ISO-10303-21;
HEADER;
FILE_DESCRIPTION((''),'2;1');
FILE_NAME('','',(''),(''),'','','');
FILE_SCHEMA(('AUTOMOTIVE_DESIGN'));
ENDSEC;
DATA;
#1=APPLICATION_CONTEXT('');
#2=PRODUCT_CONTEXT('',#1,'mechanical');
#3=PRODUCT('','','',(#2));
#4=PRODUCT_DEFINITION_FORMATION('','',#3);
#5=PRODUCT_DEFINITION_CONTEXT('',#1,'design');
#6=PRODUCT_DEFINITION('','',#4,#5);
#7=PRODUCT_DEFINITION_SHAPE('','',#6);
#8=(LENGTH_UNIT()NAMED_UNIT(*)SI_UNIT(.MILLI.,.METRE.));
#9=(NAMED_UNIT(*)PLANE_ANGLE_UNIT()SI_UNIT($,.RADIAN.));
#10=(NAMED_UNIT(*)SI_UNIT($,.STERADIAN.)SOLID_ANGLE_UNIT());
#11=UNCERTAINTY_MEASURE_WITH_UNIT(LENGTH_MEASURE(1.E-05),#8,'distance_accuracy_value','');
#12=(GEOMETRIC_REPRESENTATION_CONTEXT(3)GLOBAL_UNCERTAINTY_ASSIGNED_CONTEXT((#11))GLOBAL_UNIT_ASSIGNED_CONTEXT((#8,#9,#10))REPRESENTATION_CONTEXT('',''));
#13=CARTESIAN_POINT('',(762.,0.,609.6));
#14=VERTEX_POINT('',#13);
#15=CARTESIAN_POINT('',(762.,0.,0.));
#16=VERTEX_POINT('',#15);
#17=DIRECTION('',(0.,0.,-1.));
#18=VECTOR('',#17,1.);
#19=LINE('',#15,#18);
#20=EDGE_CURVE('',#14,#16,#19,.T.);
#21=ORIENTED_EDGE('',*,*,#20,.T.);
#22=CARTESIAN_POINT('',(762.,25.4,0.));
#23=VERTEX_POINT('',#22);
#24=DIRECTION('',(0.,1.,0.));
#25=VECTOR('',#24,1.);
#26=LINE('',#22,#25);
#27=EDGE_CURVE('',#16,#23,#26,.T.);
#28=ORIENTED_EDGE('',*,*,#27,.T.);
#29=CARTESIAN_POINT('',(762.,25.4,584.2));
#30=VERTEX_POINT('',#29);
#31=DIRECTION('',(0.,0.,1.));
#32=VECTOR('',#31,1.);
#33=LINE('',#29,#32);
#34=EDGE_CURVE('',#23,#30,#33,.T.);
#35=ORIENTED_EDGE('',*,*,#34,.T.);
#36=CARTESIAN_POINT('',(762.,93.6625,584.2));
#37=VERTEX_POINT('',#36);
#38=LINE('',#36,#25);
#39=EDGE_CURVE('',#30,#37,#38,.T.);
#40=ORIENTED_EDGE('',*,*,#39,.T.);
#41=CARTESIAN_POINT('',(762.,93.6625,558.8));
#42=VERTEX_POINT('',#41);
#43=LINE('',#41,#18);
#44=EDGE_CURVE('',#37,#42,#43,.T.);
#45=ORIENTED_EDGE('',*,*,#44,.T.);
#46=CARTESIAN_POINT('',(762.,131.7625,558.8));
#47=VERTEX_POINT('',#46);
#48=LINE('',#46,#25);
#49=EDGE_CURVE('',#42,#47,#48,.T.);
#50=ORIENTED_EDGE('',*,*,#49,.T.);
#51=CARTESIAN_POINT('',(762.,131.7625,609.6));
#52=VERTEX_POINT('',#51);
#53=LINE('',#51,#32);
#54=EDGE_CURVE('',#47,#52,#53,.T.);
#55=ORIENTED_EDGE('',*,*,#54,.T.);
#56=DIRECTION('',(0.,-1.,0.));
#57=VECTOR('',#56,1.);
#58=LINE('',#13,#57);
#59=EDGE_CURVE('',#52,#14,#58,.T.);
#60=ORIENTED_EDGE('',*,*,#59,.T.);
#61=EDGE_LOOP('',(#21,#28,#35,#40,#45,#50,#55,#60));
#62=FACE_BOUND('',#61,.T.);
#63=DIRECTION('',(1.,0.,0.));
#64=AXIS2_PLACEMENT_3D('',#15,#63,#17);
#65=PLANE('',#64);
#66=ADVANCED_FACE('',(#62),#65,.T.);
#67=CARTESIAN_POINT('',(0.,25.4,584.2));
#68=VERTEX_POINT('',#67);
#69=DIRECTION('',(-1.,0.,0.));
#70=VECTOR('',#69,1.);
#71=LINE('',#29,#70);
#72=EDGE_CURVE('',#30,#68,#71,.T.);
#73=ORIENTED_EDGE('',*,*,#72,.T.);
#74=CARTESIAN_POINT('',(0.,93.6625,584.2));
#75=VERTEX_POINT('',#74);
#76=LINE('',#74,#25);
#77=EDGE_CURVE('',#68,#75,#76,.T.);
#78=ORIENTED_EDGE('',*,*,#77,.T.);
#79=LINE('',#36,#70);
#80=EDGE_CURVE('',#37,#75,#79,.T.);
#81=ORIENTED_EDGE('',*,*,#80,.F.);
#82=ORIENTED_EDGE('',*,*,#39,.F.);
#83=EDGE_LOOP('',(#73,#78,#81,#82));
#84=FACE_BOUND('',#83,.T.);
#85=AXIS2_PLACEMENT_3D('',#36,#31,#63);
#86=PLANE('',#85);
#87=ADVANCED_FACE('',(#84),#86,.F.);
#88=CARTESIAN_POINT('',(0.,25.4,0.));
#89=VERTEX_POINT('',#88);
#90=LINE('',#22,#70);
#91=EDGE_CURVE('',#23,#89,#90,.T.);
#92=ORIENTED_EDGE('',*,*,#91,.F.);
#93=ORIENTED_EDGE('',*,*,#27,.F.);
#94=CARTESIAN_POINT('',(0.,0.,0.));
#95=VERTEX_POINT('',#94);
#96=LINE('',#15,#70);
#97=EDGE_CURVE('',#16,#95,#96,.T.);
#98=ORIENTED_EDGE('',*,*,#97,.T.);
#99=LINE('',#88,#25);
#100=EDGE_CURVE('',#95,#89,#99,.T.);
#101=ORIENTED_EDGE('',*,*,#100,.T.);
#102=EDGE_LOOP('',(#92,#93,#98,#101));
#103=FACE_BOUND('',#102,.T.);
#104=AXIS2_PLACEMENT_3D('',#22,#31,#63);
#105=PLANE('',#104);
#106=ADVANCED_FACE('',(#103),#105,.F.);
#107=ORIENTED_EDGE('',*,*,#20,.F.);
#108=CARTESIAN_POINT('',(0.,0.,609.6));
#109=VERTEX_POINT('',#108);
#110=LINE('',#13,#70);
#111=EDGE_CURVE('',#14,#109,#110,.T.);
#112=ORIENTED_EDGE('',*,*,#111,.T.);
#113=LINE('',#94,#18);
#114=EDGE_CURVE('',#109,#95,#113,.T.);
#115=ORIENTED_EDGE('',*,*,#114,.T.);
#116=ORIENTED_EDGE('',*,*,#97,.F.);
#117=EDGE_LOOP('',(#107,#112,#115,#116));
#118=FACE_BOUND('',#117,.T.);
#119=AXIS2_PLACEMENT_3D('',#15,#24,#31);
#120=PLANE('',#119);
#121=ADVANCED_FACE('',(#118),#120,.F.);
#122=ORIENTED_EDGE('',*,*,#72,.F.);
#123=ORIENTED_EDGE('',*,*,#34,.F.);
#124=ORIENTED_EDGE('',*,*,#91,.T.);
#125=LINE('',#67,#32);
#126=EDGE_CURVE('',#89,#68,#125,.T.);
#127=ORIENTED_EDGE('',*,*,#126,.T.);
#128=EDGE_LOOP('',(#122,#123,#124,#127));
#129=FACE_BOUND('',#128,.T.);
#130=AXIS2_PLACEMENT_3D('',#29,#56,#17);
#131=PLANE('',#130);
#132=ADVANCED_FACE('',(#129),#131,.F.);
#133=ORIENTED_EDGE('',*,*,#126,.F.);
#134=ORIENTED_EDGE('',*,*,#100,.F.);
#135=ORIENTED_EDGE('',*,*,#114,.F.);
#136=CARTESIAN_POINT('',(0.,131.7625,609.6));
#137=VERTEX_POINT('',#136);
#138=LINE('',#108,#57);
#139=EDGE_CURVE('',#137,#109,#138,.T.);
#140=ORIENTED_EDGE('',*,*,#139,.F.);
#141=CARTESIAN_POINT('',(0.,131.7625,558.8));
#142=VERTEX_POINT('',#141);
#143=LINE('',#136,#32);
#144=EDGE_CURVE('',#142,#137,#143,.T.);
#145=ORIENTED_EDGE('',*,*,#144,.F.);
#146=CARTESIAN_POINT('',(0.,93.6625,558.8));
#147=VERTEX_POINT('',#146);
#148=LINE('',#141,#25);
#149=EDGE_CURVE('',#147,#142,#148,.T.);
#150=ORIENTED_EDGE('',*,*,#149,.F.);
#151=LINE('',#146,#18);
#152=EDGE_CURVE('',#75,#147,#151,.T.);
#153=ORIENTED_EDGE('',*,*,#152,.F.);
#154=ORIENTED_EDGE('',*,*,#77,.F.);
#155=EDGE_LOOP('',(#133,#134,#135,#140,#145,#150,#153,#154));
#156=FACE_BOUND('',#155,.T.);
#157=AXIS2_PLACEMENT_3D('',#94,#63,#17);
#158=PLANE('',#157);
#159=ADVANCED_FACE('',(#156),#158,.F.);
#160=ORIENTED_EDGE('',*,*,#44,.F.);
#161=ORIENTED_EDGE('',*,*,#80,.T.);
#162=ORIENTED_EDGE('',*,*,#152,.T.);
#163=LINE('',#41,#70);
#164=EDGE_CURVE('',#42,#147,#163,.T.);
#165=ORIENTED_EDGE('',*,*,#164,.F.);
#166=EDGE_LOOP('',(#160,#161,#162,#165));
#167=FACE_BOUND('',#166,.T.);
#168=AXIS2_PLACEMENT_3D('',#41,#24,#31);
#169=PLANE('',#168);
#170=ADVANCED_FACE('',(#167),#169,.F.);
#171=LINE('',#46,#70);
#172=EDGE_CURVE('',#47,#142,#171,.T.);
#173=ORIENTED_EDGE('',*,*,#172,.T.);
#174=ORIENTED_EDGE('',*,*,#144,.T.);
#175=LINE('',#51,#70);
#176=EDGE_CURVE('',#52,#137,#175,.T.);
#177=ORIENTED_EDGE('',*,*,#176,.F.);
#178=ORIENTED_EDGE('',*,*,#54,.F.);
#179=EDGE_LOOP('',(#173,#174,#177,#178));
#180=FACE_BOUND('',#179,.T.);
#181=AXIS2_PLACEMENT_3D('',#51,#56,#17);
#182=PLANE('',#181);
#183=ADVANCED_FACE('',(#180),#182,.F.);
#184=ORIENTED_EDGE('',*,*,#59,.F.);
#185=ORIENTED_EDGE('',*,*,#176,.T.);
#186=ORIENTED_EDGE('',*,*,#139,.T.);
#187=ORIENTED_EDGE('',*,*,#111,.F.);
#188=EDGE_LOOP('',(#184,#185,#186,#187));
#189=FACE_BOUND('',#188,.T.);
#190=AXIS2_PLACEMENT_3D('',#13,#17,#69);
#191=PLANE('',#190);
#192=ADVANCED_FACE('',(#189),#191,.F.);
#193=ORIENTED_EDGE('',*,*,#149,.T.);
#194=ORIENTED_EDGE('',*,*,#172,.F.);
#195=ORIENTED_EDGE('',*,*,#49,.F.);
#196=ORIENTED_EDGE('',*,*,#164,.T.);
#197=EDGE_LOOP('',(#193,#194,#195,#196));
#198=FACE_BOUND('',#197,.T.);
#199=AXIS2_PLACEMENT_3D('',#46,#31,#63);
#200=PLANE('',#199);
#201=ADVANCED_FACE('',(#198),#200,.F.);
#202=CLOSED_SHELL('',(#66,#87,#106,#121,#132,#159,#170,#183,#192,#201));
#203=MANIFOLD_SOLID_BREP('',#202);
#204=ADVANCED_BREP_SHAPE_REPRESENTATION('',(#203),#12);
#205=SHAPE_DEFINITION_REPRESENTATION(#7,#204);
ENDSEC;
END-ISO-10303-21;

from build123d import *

# Parameters (mm, degrees)
BOSS_EXTRUDE1_DEPTH = 762


with BuildPart() as part:
    # Sketch1 → Boss-Extrude1 (new body)
    with BuildSketch(Plane(origin=(0, 0, 0), x_dir=(0, 0, -1), z_dir=(1, 0, 0))):
        Polygon((-584.2, 93.6625), (-584.2, 25.4), (0, 25.4), (0, 0), (-609.6, 0), (-609.6, 131.7625), (-558.8, 131.7625), (-558.8, 93.6625), align=None)
    extrude(amount=BOSS_EXTRUDE1_DEPTH)


solid = part.part
